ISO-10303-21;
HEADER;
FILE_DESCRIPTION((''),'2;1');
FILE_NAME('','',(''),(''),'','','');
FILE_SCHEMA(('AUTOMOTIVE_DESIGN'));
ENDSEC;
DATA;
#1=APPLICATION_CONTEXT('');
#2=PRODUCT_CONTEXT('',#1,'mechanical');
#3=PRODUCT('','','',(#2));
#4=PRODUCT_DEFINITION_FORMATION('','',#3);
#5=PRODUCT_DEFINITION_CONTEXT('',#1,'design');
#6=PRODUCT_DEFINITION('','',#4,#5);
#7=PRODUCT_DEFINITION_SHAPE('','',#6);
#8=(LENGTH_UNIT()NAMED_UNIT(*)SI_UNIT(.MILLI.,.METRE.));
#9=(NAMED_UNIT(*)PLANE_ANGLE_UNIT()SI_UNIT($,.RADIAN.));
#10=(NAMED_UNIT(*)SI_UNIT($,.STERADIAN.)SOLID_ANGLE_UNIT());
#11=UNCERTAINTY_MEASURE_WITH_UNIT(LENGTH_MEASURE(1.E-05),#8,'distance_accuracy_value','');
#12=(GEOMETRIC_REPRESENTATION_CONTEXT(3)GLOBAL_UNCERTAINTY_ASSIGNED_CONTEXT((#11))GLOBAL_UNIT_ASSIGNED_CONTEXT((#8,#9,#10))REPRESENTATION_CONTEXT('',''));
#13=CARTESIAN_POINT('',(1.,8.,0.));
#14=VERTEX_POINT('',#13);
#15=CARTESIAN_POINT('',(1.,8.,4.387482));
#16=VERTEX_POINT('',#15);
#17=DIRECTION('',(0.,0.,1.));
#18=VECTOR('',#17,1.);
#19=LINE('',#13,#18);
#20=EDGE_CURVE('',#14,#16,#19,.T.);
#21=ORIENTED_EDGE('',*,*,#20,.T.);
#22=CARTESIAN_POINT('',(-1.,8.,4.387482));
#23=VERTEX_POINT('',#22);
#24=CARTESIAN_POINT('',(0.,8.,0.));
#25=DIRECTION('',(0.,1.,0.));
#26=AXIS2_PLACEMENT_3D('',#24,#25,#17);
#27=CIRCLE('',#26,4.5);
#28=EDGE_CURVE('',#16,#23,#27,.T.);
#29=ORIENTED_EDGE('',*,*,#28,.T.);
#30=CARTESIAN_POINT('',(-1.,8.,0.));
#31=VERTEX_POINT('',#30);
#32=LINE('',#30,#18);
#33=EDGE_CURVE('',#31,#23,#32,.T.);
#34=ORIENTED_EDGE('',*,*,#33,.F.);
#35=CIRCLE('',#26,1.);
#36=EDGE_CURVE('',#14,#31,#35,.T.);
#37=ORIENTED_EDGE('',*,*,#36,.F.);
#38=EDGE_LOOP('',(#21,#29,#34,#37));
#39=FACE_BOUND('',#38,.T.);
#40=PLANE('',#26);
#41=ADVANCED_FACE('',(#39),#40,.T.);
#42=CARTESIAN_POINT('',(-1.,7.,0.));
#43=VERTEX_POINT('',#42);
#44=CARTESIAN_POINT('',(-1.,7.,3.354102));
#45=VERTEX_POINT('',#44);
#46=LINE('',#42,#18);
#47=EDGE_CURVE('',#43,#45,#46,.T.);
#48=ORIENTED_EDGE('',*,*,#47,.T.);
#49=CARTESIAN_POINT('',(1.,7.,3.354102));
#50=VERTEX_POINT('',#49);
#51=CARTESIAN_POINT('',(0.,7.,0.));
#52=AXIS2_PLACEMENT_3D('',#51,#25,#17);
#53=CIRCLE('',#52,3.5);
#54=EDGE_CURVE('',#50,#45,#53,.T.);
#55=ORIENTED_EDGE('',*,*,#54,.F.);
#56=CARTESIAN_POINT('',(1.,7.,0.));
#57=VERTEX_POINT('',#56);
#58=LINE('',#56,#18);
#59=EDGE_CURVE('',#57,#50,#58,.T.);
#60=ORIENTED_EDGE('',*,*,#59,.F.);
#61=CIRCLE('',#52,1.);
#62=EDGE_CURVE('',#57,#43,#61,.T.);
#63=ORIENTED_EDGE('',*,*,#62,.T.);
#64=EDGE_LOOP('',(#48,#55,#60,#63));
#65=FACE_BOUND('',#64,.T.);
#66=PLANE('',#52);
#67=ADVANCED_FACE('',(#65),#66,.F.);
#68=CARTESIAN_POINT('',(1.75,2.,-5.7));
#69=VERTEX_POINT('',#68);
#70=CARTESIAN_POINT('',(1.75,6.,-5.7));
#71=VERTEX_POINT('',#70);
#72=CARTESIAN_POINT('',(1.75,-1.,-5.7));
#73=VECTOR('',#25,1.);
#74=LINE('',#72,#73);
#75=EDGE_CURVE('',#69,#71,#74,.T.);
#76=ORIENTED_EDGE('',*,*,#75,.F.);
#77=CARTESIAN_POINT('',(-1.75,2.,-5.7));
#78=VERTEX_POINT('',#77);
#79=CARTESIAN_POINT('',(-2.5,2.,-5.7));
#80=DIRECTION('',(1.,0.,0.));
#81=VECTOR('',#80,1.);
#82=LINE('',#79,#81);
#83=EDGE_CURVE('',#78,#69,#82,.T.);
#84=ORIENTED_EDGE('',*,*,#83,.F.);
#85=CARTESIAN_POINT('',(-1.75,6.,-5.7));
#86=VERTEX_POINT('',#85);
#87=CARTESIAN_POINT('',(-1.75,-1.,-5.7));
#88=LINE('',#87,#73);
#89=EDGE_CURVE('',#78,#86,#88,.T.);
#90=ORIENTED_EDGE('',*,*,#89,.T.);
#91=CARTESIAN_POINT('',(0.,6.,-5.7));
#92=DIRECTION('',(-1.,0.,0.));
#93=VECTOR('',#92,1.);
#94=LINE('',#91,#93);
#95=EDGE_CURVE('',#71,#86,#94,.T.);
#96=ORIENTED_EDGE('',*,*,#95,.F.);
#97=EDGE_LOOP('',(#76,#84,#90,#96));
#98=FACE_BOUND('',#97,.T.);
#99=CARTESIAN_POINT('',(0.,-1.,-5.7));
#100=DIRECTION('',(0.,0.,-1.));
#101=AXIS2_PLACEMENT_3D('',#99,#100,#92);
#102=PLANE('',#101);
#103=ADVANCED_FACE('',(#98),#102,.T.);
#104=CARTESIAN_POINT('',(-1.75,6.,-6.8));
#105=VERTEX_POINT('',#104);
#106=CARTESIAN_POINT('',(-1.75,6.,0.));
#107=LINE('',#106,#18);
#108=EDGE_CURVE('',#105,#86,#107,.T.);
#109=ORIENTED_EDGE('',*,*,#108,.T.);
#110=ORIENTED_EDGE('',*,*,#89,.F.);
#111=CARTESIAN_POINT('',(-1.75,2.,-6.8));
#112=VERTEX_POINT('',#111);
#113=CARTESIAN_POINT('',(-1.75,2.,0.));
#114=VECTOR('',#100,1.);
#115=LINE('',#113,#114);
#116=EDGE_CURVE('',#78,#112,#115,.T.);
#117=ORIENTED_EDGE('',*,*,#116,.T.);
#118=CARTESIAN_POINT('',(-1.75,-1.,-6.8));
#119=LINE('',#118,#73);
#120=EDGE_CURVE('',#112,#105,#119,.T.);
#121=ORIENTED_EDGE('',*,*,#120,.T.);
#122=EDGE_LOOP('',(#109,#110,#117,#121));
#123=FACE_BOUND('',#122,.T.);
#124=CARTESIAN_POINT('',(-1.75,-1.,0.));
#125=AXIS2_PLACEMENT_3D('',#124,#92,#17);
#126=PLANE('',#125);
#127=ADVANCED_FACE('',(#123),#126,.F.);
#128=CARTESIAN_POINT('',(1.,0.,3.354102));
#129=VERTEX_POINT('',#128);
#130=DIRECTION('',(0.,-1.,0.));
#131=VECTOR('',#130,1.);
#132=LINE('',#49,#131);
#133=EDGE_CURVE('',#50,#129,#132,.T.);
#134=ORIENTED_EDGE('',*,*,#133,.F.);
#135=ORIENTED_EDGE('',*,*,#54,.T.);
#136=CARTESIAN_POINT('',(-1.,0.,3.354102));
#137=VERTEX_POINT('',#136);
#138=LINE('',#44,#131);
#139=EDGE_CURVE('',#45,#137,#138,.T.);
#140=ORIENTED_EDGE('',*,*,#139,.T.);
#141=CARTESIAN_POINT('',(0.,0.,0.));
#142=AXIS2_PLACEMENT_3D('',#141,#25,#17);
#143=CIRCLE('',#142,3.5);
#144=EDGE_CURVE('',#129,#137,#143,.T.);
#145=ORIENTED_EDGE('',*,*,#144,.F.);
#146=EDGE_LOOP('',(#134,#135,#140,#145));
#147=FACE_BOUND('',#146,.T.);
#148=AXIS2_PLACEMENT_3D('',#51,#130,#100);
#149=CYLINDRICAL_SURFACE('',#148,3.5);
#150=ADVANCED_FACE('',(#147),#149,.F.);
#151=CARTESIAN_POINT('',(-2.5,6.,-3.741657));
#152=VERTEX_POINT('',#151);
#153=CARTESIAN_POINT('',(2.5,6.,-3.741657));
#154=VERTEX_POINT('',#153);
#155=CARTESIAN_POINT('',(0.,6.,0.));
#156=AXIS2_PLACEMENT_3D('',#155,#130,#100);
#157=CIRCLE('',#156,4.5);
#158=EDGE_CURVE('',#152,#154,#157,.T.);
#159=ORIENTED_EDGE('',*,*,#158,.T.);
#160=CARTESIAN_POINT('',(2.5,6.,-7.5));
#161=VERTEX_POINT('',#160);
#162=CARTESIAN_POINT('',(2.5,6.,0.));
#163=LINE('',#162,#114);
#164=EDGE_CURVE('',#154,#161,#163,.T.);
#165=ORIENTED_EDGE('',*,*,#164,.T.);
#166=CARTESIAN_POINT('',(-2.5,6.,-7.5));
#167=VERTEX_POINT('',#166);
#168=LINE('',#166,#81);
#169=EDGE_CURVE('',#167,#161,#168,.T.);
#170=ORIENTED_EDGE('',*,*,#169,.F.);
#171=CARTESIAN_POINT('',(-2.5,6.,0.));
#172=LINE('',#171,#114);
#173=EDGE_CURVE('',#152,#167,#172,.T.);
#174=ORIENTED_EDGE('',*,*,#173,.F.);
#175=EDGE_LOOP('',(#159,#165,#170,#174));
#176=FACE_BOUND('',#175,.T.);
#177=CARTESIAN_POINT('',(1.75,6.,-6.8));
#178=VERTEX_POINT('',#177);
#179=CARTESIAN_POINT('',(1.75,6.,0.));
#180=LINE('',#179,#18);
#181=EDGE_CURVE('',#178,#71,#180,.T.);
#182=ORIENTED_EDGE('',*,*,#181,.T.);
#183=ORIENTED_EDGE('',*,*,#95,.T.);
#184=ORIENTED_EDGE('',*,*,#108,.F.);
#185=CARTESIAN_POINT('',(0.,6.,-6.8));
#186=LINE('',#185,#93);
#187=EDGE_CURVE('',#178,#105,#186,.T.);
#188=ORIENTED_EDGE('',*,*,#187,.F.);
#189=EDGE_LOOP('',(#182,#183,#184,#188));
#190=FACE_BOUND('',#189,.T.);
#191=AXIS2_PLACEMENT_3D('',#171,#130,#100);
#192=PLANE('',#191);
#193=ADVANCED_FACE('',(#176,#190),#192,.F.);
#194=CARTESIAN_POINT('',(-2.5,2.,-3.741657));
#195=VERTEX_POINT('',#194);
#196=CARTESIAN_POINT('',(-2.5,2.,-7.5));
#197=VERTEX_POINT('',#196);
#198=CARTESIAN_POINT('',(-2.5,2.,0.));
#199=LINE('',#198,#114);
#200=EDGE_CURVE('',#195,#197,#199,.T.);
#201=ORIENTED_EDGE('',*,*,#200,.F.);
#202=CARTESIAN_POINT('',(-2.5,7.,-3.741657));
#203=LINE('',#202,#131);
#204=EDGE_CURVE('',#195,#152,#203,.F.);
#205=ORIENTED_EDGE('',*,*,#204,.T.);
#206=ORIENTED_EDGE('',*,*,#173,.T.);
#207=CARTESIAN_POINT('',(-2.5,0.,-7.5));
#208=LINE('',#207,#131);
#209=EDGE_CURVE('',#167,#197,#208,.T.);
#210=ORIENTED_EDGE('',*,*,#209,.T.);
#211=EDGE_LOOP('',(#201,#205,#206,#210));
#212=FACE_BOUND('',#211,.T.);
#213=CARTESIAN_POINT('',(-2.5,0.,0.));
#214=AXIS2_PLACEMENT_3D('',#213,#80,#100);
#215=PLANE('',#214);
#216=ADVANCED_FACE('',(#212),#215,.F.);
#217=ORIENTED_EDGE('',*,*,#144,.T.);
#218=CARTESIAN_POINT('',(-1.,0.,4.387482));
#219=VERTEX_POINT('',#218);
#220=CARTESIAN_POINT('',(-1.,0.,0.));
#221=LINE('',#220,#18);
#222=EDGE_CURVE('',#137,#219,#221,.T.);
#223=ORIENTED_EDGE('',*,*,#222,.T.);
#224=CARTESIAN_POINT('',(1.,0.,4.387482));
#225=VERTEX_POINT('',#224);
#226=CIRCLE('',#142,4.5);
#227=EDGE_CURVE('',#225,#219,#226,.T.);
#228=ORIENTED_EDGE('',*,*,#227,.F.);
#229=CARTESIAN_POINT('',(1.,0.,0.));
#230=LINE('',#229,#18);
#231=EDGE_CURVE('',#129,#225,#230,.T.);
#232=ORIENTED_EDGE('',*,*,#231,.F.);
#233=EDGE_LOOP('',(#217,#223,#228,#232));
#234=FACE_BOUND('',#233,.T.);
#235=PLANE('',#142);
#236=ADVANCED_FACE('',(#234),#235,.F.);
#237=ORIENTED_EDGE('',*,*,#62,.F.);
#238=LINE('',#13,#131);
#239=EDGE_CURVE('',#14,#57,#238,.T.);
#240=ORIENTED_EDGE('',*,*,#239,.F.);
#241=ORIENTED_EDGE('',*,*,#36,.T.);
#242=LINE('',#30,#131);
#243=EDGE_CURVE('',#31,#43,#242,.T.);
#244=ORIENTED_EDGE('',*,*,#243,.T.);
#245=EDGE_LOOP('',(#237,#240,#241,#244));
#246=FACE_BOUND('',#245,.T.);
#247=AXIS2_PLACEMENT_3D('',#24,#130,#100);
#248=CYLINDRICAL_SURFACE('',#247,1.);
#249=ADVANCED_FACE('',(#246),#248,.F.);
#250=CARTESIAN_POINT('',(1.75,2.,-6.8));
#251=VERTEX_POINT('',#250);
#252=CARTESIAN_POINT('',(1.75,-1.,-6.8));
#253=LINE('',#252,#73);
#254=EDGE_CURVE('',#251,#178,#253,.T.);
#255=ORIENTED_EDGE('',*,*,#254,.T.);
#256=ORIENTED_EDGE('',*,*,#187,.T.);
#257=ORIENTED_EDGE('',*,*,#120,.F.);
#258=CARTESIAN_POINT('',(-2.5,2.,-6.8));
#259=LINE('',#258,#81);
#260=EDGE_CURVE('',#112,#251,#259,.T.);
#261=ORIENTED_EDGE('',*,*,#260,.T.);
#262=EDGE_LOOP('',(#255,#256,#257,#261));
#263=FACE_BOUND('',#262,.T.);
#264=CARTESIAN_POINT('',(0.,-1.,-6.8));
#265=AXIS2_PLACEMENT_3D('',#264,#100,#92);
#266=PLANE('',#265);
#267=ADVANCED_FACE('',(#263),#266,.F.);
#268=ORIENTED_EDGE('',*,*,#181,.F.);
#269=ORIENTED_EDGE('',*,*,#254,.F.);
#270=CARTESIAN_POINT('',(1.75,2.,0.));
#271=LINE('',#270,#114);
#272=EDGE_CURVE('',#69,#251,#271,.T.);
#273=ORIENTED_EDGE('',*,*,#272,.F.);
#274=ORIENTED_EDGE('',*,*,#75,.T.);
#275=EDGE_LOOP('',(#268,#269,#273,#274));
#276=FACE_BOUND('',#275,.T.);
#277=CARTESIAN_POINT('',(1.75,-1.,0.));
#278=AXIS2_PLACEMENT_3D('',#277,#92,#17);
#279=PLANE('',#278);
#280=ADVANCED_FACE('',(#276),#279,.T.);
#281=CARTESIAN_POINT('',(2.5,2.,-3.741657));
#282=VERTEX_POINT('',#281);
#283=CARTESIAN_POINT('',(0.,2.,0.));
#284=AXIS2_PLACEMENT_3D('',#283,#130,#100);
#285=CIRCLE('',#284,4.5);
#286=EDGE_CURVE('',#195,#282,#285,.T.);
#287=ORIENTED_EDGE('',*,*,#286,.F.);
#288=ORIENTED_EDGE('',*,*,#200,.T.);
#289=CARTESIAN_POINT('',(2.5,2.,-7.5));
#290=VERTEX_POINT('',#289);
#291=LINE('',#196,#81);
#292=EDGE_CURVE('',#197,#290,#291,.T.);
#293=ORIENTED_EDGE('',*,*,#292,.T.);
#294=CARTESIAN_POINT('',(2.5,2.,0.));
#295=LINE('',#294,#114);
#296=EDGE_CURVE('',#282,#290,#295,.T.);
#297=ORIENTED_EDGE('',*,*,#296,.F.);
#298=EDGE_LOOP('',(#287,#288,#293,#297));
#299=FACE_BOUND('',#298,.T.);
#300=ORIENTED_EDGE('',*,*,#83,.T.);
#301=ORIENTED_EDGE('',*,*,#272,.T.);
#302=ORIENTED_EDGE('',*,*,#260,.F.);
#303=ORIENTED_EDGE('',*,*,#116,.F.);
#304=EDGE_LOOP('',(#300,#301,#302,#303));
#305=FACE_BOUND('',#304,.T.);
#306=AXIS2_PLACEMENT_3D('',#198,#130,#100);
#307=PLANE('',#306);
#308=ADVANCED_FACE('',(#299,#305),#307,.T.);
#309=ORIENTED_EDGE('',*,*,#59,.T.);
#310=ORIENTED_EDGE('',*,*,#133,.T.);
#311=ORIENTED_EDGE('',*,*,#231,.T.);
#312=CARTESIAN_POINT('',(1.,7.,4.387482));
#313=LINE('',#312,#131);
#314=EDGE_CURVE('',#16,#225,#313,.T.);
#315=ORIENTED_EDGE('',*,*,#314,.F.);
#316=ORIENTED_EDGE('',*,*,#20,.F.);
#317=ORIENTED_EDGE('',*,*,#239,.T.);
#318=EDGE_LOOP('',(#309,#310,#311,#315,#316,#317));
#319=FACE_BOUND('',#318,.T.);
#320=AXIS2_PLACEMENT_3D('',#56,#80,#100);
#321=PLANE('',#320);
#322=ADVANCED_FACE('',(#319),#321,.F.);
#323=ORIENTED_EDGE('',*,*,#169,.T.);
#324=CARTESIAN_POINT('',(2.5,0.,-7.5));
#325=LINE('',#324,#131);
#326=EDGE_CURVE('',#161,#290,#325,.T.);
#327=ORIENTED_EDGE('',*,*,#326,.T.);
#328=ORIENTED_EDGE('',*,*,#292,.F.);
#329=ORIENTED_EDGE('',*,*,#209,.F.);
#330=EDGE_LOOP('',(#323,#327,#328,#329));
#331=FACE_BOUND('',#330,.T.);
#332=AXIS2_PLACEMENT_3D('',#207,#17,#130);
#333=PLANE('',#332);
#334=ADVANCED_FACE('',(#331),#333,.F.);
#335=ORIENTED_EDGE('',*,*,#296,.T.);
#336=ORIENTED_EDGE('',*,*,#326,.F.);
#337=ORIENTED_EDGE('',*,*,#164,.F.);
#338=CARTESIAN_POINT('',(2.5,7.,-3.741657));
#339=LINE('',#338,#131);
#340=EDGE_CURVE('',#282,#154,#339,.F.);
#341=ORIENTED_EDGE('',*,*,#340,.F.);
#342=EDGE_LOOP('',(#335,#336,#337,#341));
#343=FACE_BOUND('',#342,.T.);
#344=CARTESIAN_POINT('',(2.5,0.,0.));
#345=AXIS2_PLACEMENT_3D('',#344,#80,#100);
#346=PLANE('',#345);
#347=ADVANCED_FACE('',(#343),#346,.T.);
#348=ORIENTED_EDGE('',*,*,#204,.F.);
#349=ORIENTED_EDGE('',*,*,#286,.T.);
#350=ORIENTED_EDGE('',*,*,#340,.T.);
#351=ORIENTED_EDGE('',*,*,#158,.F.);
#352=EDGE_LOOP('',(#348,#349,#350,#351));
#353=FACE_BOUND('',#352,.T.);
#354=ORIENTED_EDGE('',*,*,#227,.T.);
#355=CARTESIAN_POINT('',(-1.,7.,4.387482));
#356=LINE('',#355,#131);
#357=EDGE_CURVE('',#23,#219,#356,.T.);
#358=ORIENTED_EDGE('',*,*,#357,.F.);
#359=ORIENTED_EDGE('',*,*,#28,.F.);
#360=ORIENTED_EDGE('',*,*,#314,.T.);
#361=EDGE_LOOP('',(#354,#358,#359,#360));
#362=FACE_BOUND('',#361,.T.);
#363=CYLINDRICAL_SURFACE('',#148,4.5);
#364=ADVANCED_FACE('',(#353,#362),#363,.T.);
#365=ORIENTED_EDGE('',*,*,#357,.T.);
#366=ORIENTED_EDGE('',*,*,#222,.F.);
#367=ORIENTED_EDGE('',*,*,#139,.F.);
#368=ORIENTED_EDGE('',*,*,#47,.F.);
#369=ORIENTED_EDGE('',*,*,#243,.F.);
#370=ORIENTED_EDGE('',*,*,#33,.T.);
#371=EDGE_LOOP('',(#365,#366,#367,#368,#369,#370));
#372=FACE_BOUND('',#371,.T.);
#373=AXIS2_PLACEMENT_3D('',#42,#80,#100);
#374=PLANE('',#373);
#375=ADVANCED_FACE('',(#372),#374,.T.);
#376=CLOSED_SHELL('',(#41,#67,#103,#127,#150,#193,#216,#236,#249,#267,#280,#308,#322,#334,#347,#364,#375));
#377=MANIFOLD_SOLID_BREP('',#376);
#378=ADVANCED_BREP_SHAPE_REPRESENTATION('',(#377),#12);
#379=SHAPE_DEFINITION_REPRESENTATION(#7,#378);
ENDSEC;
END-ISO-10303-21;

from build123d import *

# Parameters (mm, degrees)
BOSS_EXTRUDE1_DEPTH      = 7
BOSS_EXTRUDE2_DEPTH      = 1
BOSS_EXTRUDE3_DEPTH      = 2.5
BOSS_EXTRUDE3_DEPTH_BACK = 2.5
CUT_EXTRUDE1_DEPTH       = 7


with BuildPart() as part:
    # Sketch1 → Boss-Extrude1 (new body)
    with BuildSketch(Plane(origin=(0, 0, 0), x_dir=(1, 0, 0), z_dir=(0, 1, 0))):
        with BuildLine():
            Line((-1, -4.387482194), (-1, -3.354101966))
            ThreePointArc((-1, -3.354101966), (-2.091650066, 2.80624304), (3.5, 0))
            ThreePointArc((3.5, 0), (2.80624304, -2.091650066), (1, -3.354101966))
            Line((1, -3.354101966), (1, -4.387482194))
            ThreePointArc((1, -4.387482194), (3.51781182, -2.80624304), (4.5, 0))
            ThreePointArc((4.5, 0), (-2.80624304, 3.51781182), (-1, -4.387482194))
        make_face()
    extrude(amount=BOSS_EXTRUDE1_DEPTH)

    # Sketch2 → Boss-Extrude2 (add)
    with BuildSketch(Plane(origin=(0, 7, 0), x_dir=(1, 0, 0), z_dir=(0, 1, 0))):
        with BuildLine():
            Line((-1, -3.354101966), (-1, 0))
            ThreePointArc((-1, 0), (0, 1), (1, 0))
            Line((1, 0), (1, -3.354101966))
            ThreePointArc((1, -3.354101966), (0, 3.5), (-1, -3.354101966))
        make_face()
        with BuildLine():
            ThreePointArc((-1, -3.354101966), (0, 3.5), (1, -3.354101966))
            Line((1, -3.354101966), (1, -4.387482194))
            ThreePointArc((1, -4.387482194), (0, 4.5), (-1, -4.387482194))
            Line((-1, -4.387482194), (-1, -3.354101966))
        make_face()
    extrude(amount=BOSS_EXTRUDE2_DEPTH)

    # Sketch3 → Boss-Extrude3 (add, two sides: drawn at the far end of the back side and taken through both)
    with BuildSketch(Plane(origin=(0, 0, 0), x_dir=(0, 0, -1), z_dir=(1, 0, 0)).offset(-BOSS_EXTRUDE3_DEPTH_BACK)):
        Polygon((7.5, 6), (4.5, 6), (3.5, 6), (3.5, 2), (7.5, 2), align=None)
    extrude(amount=BOSS_EXTRUDE3_DEPTH + BOSS_EXTRUDE3_DEPTH_BACK)

    # Sketch4 → Cut-Extrude1 (cut)
    with BuildSketch(Plane(origin=(0, 6, 0), x_dir=(1, 0, 0), z_dir=(0, 1, 0))):
        Polygon((1.75, 6.8), (0, 6.8), (-1.75, 6.8), (-1.75, 5.7), (1.75, 5.7), align=None)
    extrude(amount=-CUT_EXTRUDE1_DEPTH, mode=Mode.SUBTRACT)


solid = part.part
